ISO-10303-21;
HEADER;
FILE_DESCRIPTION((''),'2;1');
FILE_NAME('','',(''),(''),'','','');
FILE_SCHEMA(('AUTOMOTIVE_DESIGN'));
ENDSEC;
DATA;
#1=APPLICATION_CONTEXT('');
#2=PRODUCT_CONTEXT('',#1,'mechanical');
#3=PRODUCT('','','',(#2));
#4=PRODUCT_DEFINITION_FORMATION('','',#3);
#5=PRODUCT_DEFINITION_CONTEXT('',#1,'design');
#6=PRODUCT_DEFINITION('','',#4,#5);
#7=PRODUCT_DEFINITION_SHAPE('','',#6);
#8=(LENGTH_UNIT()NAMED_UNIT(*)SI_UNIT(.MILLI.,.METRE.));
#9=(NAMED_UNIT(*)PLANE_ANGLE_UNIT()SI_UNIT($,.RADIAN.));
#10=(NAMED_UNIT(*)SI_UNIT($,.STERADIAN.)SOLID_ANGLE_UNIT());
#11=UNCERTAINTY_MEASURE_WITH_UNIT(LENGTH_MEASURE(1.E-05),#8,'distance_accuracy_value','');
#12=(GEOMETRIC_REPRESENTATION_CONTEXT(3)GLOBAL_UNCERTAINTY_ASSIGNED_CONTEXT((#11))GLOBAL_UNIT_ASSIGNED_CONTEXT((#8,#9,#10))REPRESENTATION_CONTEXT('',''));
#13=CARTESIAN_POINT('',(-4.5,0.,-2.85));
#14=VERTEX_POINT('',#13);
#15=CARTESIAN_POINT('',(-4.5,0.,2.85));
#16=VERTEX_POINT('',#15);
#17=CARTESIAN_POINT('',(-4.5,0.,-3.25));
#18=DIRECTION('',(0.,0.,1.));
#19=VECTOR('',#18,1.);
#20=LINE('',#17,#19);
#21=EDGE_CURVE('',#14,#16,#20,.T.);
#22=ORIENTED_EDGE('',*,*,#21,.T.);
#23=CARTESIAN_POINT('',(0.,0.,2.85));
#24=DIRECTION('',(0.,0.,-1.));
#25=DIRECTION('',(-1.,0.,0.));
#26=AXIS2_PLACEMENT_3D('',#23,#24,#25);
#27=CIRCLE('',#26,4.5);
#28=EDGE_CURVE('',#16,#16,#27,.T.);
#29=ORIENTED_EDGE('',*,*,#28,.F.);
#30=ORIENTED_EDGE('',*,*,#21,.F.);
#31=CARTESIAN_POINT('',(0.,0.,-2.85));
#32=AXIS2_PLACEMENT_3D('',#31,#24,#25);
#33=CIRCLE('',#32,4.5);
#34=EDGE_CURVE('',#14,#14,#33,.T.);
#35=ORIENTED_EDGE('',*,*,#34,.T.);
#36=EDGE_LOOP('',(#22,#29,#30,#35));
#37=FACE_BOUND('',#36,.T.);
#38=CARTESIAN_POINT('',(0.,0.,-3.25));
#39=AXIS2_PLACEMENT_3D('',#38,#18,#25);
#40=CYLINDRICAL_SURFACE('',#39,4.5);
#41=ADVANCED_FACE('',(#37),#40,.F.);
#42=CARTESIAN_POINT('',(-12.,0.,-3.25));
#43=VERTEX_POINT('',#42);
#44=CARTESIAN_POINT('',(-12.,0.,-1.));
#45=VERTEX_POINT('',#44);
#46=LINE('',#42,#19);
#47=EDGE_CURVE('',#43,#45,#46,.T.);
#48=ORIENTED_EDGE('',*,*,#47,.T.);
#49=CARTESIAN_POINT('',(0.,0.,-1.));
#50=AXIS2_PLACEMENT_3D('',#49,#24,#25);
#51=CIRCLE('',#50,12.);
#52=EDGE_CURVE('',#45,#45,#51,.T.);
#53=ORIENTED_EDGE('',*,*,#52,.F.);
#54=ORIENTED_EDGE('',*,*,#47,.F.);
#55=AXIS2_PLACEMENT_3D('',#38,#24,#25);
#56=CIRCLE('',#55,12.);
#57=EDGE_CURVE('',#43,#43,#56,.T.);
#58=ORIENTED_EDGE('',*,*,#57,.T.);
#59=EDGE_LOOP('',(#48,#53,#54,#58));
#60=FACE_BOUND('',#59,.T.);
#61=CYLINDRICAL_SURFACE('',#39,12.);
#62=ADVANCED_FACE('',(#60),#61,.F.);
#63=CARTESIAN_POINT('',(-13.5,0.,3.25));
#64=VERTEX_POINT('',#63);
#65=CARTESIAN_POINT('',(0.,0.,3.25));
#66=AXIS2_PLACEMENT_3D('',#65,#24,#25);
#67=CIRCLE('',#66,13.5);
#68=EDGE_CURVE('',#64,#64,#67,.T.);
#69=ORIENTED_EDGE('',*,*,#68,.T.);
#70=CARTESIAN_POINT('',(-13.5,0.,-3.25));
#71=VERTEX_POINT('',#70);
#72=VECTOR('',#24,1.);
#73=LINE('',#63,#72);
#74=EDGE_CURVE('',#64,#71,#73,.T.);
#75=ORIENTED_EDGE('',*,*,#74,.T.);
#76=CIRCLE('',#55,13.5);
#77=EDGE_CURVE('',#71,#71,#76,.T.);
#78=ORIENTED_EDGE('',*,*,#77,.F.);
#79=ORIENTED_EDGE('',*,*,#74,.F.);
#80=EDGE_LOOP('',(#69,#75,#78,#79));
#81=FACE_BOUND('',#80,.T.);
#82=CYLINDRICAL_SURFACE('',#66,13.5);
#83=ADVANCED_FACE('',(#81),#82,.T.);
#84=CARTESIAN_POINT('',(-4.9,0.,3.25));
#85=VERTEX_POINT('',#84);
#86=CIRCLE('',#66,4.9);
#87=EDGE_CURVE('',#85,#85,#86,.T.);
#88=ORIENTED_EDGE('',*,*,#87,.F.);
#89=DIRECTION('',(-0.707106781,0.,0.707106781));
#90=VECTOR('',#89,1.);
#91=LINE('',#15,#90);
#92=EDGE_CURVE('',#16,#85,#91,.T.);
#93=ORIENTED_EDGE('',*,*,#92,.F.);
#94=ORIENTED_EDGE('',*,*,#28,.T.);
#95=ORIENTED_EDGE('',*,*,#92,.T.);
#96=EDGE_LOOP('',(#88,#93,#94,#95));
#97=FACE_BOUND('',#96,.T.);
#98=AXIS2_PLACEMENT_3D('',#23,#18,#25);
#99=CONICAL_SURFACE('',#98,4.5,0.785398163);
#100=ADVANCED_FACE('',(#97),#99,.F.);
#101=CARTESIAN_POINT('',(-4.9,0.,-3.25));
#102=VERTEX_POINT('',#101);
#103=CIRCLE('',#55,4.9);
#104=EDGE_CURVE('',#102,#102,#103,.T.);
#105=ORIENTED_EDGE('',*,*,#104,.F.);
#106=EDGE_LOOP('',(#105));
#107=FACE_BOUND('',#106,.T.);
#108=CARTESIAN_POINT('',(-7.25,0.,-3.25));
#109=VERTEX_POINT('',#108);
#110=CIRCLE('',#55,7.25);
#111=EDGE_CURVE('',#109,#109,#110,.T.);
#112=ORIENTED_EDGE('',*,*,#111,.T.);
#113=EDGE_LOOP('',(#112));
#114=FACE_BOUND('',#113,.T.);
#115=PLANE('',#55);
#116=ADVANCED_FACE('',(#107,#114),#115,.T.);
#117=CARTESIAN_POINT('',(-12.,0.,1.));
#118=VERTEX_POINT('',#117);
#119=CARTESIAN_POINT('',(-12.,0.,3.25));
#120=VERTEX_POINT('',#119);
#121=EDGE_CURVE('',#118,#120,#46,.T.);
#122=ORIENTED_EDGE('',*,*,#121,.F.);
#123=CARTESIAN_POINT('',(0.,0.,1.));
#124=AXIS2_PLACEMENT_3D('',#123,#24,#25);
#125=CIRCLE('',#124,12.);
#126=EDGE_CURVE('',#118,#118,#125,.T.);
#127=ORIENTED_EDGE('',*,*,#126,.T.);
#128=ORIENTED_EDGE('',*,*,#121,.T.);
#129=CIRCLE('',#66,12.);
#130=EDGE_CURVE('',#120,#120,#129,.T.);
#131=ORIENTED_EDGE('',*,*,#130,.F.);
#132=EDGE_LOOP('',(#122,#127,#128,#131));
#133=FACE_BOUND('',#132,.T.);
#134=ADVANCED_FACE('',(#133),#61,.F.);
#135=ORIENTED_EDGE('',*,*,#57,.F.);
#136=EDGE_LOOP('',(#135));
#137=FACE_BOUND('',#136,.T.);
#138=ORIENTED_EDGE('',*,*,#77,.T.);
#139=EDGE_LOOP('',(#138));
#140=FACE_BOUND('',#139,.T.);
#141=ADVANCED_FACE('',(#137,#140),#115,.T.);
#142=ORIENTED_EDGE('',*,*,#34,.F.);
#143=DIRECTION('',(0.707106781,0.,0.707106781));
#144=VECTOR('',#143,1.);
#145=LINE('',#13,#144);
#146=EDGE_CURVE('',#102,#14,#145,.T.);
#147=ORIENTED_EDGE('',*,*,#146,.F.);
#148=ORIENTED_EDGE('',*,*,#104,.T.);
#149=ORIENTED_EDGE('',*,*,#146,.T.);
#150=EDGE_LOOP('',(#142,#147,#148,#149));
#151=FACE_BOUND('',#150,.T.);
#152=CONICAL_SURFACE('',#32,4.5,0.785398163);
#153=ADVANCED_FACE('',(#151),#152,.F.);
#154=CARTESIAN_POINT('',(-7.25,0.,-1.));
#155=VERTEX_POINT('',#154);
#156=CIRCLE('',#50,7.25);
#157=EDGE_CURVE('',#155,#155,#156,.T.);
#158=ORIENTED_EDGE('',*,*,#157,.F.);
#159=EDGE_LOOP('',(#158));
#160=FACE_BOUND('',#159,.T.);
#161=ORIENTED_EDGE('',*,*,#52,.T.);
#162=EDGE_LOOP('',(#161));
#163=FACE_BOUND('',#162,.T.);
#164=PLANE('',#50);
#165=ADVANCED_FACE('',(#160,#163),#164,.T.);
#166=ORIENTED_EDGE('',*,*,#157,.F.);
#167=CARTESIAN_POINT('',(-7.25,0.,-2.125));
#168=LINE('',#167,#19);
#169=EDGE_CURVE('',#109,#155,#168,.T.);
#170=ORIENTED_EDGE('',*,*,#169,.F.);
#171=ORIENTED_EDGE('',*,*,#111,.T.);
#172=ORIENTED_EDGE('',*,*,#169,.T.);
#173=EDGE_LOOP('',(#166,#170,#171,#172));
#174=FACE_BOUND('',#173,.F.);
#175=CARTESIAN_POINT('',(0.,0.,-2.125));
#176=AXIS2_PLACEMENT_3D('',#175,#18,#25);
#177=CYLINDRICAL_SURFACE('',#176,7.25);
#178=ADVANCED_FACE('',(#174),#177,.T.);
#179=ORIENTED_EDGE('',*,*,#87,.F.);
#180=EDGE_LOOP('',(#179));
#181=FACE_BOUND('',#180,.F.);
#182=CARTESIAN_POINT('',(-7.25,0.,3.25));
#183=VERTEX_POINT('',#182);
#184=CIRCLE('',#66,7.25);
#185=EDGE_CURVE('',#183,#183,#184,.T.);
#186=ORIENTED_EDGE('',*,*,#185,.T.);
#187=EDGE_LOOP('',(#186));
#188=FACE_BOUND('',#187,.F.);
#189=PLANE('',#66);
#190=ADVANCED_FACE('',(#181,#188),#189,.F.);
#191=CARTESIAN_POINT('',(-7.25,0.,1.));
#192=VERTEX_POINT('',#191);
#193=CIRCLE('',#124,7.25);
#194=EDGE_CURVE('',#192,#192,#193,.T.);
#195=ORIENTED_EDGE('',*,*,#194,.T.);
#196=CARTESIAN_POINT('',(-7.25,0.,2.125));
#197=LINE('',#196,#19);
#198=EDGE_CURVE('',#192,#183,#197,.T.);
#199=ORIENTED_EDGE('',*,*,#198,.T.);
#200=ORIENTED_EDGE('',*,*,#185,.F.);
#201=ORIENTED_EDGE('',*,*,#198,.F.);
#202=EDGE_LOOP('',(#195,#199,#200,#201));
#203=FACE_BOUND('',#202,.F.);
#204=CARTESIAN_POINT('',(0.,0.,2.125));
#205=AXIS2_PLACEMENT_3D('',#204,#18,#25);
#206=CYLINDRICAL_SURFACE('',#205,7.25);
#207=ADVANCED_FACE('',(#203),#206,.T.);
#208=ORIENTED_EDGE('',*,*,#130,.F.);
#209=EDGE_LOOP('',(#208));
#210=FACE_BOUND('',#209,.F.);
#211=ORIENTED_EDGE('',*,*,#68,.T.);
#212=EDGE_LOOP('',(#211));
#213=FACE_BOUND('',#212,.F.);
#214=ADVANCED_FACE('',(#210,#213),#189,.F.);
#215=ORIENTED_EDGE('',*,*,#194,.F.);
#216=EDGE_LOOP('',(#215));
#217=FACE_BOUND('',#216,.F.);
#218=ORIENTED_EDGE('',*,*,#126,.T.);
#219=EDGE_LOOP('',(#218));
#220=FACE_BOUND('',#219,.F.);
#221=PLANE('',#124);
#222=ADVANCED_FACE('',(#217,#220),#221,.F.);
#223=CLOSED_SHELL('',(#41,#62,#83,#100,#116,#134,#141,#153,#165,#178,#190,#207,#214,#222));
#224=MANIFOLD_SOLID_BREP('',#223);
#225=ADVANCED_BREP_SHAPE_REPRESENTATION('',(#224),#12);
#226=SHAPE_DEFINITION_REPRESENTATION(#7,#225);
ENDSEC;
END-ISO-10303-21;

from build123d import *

# Parameters (mm, degrees)
F0_W    = 1.5
F0_H    = 2.25
F0_H_2  = 2
F0_W_2  = 4.75
F0_W_3  = 2.75
F2_SIZE = 0.4


with BuildPart() as f1:
    # F0 (on Front) → F1 (revolve)
    with BuildSketch(Plane.XZ):
        with Locations((-12.75, 2.125)):
            Rectangle(F0_W, F0_H)
        with Locations((-12.75, 0)):
            Rectangle(F0_W, F0_H_2)
        with Locations((-12.75, -2.125)):
            Rectangle(F0_W, F0_H)
        with Locations((-9.625, 0)):
            Rectangle(F0_W_2, F0_H_2)
        with Locations((-5.875, 2.125)):
            Rectangle(F0_W_3, F0_H)
        with Locations((-5.875, 0)):
            Rectangle(F0_W_3, F0_H_2)
        with Locations((-5.875, -2.125)):
            Rectangle(F0_W_3, F0_H)
    revolve(axis=Axis((0, 0, -0.9328033775), (0, 0, -1)))

    # F2
    f2_edges = [f1.edges().sort_by_distance(p)[0] for p in [
        (4.5, 0, 3.25),
        (4.5, 0, -3.25),
    ]]
    chamfer(f2_edges, length=F2_SIZE)


solid = f1.part
